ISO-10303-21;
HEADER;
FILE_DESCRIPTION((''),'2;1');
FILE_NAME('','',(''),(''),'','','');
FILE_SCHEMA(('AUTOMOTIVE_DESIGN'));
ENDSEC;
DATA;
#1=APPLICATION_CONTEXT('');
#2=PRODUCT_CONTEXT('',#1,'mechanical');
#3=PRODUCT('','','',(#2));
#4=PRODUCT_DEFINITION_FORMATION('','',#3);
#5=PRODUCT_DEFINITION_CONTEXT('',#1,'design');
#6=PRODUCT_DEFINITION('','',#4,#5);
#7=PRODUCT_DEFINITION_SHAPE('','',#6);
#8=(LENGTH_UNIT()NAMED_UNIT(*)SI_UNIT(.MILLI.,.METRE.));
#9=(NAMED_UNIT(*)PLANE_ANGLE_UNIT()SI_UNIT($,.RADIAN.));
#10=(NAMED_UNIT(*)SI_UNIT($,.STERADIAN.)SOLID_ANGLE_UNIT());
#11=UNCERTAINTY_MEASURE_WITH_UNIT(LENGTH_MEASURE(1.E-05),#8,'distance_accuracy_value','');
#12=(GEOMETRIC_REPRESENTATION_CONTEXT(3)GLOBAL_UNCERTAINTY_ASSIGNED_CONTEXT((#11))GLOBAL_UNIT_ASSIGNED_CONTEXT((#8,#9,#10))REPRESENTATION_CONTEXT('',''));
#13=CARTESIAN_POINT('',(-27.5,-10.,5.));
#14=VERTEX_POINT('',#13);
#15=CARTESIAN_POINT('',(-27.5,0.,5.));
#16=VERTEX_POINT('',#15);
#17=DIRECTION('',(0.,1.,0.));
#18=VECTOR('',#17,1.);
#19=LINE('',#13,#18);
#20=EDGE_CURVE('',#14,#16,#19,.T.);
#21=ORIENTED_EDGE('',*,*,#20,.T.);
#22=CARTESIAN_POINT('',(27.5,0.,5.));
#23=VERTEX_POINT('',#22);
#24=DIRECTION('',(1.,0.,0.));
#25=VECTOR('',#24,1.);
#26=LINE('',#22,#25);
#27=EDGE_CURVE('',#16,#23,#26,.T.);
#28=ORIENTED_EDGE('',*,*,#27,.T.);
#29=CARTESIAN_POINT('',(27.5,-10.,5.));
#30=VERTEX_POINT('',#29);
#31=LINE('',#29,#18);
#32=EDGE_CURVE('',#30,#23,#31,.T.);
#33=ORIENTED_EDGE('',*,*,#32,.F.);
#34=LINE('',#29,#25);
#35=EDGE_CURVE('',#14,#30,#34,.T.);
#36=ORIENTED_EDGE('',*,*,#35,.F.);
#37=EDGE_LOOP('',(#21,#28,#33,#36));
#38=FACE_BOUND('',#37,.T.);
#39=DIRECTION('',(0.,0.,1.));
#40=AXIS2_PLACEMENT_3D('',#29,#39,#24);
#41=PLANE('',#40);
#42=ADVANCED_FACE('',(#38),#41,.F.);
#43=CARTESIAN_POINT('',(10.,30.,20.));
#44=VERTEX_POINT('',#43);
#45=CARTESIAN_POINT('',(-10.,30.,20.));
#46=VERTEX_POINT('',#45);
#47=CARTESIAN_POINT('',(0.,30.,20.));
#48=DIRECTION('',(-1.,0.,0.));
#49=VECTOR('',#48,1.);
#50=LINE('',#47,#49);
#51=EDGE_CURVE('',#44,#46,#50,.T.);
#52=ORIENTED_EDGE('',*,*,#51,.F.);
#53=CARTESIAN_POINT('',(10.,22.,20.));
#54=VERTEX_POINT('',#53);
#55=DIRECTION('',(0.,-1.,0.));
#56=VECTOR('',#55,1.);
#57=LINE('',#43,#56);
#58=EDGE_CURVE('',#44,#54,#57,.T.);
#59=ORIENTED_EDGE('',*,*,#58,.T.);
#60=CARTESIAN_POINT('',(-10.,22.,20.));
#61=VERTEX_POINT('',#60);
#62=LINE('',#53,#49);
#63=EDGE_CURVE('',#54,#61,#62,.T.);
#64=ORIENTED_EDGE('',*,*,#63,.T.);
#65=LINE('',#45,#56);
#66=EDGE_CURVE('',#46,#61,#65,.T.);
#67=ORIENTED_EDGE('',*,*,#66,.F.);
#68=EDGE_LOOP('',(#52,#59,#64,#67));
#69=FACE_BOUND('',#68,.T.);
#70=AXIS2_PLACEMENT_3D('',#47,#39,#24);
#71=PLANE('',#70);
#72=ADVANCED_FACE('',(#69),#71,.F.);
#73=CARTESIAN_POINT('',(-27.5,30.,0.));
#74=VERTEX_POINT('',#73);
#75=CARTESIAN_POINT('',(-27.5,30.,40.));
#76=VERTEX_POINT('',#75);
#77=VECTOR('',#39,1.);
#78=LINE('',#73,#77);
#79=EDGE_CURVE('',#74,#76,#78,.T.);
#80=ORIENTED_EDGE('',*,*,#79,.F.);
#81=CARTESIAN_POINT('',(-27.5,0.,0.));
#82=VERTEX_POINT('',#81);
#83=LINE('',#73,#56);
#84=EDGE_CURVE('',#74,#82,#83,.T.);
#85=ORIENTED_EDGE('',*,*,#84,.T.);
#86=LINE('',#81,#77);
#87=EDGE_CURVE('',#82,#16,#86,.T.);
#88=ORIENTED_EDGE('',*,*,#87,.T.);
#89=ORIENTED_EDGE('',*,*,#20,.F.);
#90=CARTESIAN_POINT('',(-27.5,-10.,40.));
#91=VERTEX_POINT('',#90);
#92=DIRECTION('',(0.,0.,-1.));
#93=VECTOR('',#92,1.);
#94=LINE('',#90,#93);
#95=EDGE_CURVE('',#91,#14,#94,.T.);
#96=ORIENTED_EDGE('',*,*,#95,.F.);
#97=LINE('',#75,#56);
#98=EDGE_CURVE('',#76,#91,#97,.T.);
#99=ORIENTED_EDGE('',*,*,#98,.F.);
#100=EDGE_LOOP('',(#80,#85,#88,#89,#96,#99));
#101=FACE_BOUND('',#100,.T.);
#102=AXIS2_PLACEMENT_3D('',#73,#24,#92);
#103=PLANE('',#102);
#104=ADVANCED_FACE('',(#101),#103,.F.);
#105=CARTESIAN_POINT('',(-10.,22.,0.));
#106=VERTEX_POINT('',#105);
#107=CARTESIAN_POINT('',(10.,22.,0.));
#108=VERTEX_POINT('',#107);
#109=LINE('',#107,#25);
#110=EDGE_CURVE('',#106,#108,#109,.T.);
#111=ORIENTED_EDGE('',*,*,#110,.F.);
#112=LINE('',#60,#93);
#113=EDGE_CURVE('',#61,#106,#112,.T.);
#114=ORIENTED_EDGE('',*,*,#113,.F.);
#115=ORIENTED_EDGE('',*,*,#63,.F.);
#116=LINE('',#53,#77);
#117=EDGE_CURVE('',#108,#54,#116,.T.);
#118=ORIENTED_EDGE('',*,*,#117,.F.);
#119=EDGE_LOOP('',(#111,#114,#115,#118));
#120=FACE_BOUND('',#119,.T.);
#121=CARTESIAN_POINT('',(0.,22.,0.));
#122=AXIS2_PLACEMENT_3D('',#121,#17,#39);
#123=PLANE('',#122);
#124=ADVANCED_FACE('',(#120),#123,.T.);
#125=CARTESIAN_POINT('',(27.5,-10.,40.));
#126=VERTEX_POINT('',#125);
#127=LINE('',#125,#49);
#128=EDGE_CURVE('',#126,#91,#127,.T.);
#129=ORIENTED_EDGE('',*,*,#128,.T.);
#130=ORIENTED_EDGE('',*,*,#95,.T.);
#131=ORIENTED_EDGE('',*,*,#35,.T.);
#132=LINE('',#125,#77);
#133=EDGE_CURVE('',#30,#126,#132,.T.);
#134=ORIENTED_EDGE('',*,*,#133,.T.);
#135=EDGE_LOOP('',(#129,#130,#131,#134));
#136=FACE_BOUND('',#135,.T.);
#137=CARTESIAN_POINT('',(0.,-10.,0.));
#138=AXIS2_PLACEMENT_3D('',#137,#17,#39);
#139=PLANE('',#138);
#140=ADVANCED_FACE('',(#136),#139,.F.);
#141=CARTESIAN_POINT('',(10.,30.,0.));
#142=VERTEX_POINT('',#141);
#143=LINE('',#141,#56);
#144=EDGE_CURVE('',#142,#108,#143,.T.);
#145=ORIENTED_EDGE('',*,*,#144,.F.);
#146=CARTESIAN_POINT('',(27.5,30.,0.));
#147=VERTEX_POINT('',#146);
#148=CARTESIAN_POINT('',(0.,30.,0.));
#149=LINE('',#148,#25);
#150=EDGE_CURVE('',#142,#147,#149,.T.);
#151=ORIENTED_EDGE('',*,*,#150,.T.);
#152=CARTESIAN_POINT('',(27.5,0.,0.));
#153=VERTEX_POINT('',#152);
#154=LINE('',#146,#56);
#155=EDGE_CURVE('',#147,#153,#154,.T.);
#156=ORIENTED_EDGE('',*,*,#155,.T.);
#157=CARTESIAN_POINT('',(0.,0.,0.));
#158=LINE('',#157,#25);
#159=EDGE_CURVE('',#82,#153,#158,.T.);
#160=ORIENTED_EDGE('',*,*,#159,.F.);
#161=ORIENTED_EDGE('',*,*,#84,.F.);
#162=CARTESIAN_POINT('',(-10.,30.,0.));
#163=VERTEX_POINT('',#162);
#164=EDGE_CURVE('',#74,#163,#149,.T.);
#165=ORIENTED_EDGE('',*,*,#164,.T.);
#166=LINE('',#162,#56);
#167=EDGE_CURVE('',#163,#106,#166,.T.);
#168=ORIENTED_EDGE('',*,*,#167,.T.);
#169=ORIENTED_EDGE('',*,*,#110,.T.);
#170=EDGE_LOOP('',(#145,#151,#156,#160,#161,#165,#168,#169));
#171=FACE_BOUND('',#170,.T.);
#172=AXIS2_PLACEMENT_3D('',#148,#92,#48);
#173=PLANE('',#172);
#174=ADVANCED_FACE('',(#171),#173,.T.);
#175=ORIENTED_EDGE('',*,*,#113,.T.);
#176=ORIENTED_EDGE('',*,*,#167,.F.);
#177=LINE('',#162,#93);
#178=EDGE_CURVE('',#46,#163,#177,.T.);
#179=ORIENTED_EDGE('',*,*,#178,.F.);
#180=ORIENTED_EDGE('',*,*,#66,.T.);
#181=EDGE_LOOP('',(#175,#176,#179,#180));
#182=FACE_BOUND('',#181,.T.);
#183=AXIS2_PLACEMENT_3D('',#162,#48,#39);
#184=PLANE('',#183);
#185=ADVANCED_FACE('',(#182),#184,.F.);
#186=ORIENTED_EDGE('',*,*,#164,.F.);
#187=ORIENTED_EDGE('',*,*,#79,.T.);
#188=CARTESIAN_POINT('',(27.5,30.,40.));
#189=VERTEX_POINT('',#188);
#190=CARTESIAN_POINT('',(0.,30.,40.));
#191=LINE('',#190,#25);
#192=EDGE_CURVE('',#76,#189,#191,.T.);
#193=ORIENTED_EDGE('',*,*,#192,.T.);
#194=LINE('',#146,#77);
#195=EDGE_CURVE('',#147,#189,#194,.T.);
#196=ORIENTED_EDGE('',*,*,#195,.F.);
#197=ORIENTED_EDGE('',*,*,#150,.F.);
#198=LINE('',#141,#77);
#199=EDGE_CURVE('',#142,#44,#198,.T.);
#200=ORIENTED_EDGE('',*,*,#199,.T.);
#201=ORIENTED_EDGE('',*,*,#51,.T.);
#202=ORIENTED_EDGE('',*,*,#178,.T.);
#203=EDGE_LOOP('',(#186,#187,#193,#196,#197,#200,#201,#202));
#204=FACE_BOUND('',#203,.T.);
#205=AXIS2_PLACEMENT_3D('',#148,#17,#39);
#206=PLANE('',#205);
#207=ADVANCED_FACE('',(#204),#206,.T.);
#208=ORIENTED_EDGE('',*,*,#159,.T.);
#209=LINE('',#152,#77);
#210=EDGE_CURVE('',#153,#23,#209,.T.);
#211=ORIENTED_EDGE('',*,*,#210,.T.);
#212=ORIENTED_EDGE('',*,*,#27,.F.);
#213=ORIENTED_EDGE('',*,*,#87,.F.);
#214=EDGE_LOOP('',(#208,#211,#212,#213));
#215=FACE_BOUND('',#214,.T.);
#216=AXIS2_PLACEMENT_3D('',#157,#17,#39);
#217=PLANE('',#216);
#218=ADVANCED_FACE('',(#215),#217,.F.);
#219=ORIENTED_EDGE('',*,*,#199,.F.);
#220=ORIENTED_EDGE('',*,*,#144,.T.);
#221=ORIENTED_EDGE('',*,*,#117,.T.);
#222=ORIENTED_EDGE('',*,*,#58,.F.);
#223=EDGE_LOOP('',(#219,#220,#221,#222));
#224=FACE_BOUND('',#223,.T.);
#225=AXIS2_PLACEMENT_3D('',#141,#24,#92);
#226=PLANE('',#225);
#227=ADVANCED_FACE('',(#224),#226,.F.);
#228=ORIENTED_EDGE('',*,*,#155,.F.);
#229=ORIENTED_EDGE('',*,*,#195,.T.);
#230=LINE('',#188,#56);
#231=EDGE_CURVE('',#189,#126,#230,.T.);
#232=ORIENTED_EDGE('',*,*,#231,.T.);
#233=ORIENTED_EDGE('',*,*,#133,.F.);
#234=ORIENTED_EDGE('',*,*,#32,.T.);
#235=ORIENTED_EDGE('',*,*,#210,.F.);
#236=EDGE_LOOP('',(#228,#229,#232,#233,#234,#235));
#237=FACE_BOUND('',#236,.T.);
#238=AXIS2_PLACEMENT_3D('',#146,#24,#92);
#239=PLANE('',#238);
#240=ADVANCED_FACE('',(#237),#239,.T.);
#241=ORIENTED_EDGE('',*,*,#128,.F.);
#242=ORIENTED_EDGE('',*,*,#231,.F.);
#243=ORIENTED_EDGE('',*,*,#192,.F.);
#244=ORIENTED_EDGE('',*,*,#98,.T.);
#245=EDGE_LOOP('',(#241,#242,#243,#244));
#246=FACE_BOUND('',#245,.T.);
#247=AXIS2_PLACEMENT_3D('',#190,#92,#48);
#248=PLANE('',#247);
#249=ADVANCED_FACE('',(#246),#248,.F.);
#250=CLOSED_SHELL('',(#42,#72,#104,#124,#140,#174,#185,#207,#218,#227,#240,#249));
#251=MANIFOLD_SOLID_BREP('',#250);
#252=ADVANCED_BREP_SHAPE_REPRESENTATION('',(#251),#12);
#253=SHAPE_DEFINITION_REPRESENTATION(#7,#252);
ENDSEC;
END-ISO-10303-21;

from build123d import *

# Parameters (mm, degrees)
BOSS_EXTRUDE1_DEPTH = 30
SKETCH2_W           = 20
SKETCH2_H           = 20
BOSS_EXTRUDE2_DEPTH = 22
SKETCH3_W           = 55
SKETCH3_H           = 35
BOSS_EXTRUDE3_DEPTH = 10


with BuildPart() as part:
    # Sketch1 → Boss-Extrude1 (new body)
    with BuildSketch(Plane(origin=(0, 0, 0), x_dir=(1, 0, 0), z_dir=(0, 1, 0))):
        Polygon((-10, 0), (-27.5, 0), (-27.5, -40), (27.5, -40), (27.5, 0), (10, 0), (10, -20), (-10, -20), align=None)
    extrude(amount=BOSS_EXTRUDE1_DEPTH)

    # Sketch2 → Boss-Extrude2 (add)
    with BuildSketch(Plane.XZ):
        with Locations((0, 10)):
            Rectangle(SKETCH2_W, SKETCH2_H)
    extrude(amount=-BOSS_EXTRUDE2_DEPTH)

    # Sketch3 → Boss-Extrude3 (add)
    with BuildSketch(Plane.XZ):
        with Locations((0, 22.5)):
            Rectangle(SKETCH3_W, SKETCH3_H)
    extrude(amount=BOSS_EXTRUDE3_DEPTH)


solid = part.part
